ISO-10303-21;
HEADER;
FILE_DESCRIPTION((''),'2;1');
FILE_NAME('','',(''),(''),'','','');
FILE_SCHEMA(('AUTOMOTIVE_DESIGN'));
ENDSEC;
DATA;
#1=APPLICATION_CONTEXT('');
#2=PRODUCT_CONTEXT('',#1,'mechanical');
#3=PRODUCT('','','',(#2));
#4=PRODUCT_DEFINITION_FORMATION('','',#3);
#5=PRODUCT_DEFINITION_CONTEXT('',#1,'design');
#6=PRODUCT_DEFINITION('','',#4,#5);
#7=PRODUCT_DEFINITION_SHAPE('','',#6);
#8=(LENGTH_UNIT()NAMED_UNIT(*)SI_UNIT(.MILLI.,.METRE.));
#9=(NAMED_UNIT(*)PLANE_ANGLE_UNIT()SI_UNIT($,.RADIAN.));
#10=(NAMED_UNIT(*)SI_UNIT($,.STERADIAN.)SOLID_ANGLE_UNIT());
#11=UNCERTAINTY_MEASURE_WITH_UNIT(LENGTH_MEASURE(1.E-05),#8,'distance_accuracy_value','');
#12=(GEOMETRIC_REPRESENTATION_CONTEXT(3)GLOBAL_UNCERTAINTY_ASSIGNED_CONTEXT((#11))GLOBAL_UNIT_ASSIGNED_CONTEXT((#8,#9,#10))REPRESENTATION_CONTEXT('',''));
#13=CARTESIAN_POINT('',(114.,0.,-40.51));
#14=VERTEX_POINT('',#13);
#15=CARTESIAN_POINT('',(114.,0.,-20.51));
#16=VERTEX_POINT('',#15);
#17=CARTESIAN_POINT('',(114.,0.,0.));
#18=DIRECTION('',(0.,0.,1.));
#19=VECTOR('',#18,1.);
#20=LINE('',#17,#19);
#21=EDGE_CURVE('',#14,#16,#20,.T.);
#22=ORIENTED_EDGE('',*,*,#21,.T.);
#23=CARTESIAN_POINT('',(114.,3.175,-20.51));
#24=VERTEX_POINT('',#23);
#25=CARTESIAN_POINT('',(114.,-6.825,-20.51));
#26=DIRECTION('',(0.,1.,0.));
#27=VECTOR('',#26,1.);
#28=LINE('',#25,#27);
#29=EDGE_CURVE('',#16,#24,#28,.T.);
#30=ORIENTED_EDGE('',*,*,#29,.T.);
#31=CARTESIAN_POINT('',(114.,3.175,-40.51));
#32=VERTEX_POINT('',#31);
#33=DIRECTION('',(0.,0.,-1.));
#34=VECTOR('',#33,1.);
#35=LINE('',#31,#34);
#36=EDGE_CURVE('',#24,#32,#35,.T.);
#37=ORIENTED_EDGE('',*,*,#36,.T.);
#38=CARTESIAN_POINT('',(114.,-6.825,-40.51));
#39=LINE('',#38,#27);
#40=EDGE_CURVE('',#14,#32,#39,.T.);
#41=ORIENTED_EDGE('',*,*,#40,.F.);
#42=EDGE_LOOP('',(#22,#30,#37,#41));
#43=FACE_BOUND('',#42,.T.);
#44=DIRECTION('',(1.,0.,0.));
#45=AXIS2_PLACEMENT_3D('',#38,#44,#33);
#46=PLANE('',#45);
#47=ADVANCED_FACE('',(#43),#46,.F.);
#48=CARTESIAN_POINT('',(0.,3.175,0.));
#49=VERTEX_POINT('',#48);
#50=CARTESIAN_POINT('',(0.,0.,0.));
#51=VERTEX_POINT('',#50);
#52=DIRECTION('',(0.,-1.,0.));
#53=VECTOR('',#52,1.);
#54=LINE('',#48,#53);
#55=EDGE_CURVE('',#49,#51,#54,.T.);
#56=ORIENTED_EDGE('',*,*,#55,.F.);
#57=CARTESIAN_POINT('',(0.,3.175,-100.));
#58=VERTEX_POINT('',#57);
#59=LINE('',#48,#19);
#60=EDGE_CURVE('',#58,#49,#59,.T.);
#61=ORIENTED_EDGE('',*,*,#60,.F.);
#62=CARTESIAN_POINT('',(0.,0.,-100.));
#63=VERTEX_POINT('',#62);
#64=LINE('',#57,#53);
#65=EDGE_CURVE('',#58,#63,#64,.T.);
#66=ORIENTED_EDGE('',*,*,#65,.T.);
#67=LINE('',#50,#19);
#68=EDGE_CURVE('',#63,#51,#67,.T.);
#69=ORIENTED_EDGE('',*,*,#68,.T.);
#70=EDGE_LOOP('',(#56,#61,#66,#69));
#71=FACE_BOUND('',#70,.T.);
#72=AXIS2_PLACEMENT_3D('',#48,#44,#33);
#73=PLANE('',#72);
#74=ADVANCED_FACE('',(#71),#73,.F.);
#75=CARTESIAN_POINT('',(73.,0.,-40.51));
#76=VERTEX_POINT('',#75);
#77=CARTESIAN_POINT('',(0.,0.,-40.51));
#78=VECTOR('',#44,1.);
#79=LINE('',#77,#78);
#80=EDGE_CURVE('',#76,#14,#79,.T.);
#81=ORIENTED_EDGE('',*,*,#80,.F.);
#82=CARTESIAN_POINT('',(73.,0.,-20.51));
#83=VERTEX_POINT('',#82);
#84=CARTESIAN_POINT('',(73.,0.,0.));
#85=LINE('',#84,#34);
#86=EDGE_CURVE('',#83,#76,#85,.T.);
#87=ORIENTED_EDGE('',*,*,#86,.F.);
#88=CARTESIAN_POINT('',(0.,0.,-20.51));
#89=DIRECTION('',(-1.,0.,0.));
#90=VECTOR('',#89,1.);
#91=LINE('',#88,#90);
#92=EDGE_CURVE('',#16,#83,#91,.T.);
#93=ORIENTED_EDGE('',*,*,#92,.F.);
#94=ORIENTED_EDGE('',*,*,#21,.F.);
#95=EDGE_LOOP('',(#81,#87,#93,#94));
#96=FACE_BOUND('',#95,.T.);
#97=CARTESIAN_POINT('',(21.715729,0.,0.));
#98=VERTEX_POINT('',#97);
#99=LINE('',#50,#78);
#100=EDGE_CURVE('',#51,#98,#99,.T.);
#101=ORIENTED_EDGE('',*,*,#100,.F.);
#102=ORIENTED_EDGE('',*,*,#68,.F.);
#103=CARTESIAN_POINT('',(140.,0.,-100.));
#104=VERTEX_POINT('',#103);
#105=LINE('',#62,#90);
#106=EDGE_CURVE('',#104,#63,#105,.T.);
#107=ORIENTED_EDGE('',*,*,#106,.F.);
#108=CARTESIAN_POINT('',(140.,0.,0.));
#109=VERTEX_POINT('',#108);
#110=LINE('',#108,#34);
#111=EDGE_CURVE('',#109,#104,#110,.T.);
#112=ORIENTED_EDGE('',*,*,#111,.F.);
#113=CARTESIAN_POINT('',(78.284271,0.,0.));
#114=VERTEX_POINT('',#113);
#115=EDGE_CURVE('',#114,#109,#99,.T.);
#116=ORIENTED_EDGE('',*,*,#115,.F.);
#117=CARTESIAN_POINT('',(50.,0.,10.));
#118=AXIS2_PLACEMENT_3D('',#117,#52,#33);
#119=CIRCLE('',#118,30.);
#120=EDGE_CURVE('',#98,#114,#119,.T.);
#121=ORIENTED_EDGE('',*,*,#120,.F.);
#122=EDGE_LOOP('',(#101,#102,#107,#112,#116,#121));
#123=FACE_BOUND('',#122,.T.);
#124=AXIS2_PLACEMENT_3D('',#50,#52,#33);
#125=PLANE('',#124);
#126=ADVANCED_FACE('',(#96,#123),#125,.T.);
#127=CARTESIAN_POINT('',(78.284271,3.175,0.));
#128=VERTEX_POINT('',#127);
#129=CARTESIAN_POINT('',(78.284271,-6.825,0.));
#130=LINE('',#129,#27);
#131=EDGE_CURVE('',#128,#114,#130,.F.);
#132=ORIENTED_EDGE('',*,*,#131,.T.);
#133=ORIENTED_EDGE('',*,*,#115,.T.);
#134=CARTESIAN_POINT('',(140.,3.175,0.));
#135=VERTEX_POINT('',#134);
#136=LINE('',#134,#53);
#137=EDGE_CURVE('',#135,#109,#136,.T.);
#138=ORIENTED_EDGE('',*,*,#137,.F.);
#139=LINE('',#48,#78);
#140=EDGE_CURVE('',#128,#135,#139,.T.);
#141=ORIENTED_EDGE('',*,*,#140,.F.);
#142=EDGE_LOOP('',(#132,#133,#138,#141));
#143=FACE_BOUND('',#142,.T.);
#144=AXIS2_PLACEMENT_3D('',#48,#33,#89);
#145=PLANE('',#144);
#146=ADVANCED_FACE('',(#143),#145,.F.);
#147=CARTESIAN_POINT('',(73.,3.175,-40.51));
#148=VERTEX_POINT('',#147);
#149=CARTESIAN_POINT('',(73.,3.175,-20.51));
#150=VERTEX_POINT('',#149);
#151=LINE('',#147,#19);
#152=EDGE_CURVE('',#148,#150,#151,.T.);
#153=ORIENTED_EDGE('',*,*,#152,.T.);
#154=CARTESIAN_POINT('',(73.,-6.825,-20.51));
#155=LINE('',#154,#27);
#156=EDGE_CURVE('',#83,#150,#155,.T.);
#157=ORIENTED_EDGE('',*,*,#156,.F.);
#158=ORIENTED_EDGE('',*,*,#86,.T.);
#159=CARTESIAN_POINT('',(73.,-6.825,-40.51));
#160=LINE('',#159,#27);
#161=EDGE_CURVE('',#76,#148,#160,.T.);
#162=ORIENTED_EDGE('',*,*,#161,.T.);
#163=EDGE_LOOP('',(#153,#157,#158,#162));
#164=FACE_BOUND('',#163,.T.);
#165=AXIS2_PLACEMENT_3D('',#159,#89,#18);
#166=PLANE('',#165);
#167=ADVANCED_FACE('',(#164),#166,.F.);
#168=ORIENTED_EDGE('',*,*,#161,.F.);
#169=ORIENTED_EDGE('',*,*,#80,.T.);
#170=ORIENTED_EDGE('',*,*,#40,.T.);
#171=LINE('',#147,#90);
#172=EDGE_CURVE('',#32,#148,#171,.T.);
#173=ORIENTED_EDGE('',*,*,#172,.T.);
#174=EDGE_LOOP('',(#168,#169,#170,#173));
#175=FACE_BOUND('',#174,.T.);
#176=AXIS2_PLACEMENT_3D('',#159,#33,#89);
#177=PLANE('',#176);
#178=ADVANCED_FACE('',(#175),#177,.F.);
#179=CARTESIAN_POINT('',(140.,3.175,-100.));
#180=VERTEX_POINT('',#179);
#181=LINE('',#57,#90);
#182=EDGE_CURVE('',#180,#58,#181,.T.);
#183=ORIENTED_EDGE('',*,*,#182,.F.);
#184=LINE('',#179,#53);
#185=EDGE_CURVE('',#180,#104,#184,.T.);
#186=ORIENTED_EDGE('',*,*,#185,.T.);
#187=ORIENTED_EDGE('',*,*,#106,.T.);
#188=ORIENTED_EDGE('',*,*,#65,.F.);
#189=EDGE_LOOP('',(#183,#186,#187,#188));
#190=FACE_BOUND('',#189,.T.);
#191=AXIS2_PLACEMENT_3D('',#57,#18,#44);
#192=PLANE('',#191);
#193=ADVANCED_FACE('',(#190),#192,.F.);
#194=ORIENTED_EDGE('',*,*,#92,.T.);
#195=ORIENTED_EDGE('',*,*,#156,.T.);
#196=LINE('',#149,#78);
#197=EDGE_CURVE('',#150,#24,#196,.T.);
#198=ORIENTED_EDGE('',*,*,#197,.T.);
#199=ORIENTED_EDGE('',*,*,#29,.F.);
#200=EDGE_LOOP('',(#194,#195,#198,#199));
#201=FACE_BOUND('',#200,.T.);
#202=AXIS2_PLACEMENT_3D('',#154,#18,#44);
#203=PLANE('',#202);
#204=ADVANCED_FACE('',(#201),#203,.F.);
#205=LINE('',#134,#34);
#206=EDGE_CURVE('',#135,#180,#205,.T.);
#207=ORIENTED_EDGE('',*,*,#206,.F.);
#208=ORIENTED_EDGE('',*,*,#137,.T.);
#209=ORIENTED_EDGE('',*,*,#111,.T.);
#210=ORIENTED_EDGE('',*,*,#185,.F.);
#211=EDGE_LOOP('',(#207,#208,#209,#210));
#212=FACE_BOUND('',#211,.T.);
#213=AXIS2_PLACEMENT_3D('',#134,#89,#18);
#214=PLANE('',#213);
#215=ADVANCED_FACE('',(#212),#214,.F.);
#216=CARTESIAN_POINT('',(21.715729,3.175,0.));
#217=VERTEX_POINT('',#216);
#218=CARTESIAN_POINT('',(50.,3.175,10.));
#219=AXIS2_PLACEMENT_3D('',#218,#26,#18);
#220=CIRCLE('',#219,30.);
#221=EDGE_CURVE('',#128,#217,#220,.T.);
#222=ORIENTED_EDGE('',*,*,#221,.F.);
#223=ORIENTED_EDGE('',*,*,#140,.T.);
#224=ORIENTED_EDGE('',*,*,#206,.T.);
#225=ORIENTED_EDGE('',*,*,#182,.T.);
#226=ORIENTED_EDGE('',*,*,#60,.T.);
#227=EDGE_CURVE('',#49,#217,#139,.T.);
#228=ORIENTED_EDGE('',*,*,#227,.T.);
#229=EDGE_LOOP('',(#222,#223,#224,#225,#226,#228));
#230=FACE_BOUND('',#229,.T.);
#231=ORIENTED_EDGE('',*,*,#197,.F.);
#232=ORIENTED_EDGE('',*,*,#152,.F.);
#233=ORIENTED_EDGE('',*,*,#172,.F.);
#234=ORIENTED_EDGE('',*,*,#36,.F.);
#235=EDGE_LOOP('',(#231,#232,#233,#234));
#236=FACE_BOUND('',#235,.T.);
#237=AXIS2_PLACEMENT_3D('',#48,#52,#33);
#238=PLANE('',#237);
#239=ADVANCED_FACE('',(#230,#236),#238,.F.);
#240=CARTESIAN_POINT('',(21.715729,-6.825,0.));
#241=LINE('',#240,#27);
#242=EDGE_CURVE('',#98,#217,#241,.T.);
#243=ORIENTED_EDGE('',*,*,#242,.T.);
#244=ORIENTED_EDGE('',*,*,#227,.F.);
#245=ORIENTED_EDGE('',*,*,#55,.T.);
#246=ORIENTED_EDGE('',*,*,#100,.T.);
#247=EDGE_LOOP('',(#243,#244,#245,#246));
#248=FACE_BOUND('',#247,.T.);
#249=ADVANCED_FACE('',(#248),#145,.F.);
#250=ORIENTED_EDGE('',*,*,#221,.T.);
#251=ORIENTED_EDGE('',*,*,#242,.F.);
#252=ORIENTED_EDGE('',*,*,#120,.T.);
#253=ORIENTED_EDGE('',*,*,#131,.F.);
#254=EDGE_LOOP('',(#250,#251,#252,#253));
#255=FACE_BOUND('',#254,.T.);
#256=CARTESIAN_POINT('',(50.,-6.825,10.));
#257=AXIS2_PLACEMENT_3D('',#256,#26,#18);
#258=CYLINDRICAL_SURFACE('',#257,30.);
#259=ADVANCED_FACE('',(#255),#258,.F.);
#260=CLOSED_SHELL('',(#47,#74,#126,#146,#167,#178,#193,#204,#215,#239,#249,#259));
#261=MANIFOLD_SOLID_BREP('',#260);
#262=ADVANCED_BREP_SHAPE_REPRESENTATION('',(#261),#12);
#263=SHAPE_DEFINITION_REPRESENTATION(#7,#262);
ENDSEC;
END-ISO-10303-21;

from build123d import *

# Parameters (mm, degrees)
SKETCH1_W           = 140
SKETCH1_H           = 100
BOSS_EXTRUDE1_DEPTH = 3.175
SKETCH2_W           = 41
SKETCH2_H           = 20
CUT_EXTRUDE1_DEPTH  = 10
SKETCH3_R           = 30
CUT_EXTRUDE2_DEPTH  = 10


with BuildPart() as part:
    # Sketch1 → Boss-Extrude1 (new body)
    with BuildSketch(Plane(origin=(0, 0, 0), x_dir=(1, 0, 0), z_dir=(0, 1, 0))):
        with Locations((70, 50)):
            Rectangle(SKETCH1_W, SKETCH1_H)
    extrude(amount=BOSS_EXTRUDE1_DEPTH)

    # Sketch2 → Cut-Extrude1 (cut)
    with BuildSketch(Plane(origin=(0, 3.175, 0), x_dir=(1, 0, 0), z_dir=(0, 1, 0))):
        with Locations((93.5, 30.51)):
            Rectangle(SKETCH2_W, SKETCH2_H)
    extrude(amount=-CUT_EXTRUDE1_DEPTH, mode=Mode.SUBTRACT)

    # Sketch3 → Cut-Extrude2 (cut)
    with BuildSketch(Plane(origin=(0, 3.175, 0), x_dir=(1, 0, 0), z_dir=(0, 1, 0))):
        with Locations((50, -10)):
            Circle(SKETCH3_R)
    extrude(amount=-CUT_EXTRUDE2_DEPTH, mode=Mode.SUBTRACT)


solid = part.part
